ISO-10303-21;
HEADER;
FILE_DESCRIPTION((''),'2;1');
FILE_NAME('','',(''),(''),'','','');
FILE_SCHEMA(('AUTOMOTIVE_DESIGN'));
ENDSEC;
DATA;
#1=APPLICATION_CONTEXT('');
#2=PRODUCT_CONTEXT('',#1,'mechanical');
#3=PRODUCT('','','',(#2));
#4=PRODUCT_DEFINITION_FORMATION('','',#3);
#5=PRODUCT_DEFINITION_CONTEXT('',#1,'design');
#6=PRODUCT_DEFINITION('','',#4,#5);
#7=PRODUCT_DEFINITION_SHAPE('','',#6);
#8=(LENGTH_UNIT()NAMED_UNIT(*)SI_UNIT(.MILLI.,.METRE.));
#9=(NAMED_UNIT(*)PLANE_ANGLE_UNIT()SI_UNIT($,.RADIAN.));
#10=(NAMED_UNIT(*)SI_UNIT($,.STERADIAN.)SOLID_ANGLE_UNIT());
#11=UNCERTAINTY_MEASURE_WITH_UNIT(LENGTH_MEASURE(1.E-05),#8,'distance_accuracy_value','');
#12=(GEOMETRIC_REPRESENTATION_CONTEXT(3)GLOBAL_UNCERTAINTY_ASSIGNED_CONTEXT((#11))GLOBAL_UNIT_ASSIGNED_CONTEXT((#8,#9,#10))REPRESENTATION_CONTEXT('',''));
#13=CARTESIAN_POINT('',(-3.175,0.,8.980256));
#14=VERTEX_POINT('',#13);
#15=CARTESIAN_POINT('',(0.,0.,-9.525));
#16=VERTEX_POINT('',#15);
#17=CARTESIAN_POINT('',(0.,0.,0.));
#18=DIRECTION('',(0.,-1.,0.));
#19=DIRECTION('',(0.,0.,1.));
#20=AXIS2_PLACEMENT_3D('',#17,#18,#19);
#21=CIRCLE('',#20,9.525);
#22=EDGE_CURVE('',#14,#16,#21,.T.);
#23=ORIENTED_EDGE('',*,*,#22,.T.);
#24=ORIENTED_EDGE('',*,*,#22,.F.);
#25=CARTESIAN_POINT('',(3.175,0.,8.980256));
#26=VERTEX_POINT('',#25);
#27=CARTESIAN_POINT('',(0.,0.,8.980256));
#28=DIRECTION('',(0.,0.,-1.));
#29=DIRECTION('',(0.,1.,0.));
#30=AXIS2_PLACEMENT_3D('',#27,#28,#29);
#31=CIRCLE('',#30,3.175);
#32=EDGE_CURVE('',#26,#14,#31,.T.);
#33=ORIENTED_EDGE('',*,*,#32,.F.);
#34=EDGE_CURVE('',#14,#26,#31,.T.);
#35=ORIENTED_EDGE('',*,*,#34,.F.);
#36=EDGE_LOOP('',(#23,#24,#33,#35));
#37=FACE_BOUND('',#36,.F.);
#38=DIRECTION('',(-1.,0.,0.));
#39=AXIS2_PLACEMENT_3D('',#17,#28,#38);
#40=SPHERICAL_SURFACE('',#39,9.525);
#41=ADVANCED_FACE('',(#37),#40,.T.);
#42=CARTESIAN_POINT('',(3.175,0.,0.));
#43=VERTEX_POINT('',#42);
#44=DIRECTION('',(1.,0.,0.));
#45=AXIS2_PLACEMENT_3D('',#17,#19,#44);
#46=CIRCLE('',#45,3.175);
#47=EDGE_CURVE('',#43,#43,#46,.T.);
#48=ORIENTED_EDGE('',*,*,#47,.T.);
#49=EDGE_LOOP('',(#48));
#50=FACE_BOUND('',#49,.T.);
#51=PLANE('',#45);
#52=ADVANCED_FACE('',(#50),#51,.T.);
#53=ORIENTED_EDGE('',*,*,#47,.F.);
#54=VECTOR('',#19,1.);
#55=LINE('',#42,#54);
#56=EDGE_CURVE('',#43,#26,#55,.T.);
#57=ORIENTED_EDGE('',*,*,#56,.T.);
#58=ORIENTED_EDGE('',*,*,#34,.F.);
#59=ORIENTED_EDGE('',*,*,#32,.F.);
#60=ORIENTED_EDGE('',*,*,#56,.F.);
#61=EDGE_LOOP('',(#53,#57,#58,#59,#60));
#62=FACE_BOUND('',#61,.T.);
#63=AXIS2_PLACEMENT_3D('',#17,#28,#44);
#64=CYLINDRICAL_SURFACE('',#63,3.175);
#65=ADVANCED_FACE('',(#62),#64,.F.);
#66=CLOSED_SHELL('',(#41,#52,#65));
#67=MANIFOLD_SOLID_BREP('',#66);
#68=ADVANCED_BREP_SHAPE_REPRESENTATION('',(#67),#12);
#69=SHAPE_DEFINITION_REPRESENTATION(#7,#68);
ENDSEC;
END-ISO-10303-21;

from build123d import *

# Parameters (mm, degrees)
F3_R     = 3.175
F4_DEPTH = 25.4


with BuildPart() as f2:
    # F0 (on Front) → F2 (revolve)
    with BuildSketch(Plane.XZ):
        with BuildLine():
            Line((0, -9.525), (0, 9.525))
            ThreePointArc((0, 9.525), (-9.525, 0), (0, -9.525))
        make_face()
    revolve(axis=Axis((0, 0, 0), (0, 0, 1)))

    # F3 (on Top) → F4 (cut)
    with BuildSketch(Plane.XY):
        Circle(F3_R)
    extrude(amount=F4_DEPTH, mode=Mode.SUBTRACT)


solid = f2.part
